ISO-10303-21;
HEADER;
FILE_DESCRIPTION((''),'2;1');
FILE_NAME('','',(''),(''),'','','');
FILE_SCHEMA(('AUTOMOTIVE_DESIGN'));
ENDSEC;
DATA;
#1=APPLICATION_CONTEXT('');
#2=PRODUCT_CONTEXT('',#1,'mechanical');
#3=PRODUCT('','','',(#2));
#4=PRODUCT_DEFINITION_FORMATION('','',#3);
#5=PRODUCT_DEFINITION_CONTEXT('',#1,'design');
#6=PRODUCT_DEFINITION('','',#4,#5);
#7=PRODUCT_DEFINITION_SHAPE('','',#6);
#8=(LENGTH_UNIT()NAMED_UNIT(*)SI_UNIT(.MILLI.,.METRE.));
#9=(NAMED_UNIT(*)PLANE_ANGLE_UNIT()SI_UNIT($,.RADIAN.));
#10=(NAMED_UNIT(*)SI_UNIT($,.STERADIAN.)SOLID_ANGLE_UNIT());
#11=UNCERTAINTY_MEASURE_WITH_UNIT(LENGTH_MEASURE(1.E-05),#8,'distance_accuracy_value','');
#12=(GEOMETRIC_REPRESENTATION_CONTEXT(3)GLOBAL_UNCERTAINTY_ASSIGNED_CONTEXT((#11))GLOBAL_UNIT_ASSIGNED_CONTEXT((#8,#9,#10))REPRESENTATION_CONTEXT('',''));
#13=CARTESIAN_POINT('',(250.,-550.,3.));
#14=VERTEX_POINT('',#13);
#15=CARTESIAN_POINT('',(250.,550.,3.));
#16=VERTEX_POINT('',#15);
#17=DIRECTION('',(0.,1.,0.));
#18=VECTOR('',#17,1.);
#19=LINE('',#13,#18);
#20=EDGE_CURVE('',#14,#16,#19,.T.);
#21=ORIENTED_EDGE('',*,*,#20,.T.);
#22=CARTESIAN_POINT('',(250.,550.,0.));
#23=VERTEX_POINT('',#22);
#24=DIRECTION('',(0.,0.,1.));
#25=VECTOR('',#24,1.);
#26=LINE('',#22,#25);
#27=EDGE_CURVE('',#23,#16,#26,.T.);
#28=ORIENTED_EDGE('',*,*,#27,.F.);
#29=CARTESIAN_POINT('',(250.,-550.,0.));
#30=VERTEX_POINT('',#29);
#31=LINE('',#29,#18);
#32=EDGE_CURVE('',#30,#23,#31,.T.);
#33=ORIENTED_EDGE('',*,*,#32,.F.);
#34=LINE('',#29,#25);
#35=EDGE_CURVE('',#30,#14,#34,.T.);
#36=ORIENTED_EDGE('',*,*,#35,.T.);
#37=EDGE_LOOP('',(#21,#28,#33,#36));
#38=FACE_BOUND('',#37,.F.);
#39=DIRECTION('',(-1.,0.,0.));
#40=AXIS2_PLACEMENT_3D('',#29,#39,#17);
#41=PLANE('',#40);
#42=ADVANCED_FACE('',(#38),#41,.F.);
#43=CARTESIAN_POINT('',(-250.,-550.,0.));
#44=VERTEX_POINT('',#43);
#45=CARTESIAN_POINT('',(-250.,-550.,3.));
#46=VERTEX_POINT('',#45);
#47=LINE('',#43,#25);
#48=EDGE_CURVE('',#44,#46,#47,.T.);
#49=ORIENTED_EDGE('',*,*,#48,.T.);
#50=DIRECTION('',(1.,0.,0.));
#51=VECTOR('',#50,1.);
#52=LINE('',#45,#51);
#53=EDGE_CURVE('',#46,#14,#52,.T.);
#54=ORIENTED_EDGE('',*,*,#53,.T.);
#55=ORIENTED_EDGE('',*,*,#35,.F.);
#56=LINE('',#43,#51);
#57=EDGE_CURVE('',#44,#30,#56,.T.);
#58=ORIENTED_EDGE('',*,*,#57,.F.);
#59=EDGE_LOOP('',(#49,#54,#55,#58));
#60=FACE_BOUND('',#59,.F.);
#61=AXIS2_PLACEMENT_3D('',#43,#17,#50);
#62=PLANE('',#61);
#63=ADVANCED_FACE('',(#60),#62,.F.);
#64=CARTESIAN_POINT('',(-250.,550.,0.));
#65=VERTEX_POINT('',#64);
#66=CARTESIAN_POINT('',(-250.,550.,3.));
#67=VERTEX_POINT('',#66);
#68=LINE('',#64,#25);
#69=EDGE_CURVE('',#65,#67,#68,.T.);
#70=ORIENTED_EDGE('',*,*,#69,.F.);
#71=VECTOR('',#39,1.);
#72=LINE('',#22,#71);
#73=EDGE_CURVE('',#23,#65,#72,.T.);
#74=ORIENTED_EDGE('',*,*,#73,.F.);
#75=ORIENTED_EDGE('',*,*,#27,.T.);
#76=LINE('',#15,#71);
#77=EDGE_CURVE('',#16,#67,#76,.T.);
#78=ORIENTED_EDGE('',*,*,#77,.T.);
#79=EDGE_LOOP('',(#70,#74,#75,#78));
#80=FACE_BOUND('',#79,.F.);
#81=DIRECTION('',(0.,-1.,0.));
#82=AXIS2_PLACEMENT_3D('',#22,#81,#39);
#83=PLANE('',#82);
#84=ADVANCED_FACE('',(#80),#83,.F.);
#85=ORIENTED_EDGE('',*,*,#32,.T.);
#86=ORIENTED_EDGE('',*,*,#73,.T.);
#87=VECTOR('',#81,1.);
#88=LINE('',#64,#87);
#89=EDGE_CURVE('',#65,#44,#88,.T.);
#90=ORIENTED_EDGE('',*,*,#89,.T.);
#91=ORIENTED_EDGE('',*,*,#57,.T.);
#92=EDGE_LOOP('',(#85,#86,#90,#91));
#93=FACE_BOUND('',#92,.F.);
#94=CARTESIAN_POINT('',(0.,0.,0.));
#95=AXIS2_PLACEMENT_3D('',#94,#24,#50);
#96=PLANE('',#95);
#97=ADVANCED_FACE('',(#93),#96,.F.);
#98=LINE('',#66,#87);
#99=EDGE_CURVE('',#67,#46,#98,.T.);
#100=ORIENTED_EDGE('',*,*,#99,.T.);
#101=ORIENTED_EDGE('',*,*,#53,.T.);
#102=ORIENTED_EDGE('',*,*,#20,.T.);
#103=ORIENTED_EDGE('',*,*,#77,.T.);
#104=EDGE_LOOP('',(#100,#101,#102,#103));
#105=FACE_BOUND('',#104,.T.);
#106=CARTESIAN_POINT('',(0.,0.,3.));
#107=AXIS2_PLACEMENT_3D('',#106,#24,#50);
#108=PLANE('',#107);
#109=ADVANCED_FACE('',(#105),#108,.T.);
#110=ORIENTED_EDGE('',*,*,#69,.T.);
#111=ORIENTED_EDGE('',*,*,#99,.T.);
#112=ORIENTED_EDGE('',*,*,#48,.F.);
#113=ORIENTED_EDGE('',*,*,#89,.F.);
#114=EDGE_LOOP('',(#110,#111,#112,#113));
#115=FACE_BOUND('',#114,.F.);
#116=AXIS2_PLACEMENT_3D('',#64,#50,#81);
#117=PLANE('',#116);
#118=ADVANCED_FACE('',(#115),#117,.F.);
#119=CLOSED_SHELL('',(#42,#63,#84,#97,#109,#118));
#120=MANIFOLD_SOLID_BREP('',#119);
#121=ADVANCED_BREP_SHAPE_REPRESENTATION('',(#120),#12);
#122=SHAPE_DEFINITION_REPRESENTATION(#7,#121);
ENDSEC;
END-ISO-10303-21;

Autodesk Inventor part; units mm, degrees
ref_plane "YZ Plane" through (0, 0, 0) normal (1, 0, 0) x (0, 1, 0)
ref_plane "XZ Plane" through (0, 0, 0) normal (0, 1, 0) x (-1, 0, 0)
ref_plane "XY Plane" through (0, 0, 0) normal (0, 0, 1) x (1, 0, 0)
sketch "Эскиз1" plane through (0, 0, 0) normal (0, 0, 1) x (1, 0, 0)
  line L0 (-250, -550) -> (250, -550)
  line L1 (250, -550) -> (250, 550)
  line L2 (250, 550) -> (-250, 550)
  line L3 (-250, 550) -> (-250, -550)
  line L4 (-250, -550) -> (250, 550) construction
  line L5 (250, -550) -> (-250, 550) construction
  point P0 (0, 0)
  dimension "d0" = 500
  dimension "d1" = 1100
extrude "Пластина1" add sketch "Эскиз1" along normal blind 3
equation "\"d2\" = Толщина"
equation "\"Радиус_гибки\" = Толщина"
equation "\"Ширина_просечки\" = Толщина"
equation "\"Глубина_просечки\" = 0.5 * Толщина"
equation "\"Размер_просечки\" = 4 * Толщина"
equation "\"Мин_остаток\" = 2 * Толщина"
equation "\"Радиус_перехода\" = Радиус_гибки"
equation "\"Радиус_Якоби\" = Радиус_гибки"
equation "\"Размер_зазора\" = Толщина"
equation "\"Толщина\" = 3"
